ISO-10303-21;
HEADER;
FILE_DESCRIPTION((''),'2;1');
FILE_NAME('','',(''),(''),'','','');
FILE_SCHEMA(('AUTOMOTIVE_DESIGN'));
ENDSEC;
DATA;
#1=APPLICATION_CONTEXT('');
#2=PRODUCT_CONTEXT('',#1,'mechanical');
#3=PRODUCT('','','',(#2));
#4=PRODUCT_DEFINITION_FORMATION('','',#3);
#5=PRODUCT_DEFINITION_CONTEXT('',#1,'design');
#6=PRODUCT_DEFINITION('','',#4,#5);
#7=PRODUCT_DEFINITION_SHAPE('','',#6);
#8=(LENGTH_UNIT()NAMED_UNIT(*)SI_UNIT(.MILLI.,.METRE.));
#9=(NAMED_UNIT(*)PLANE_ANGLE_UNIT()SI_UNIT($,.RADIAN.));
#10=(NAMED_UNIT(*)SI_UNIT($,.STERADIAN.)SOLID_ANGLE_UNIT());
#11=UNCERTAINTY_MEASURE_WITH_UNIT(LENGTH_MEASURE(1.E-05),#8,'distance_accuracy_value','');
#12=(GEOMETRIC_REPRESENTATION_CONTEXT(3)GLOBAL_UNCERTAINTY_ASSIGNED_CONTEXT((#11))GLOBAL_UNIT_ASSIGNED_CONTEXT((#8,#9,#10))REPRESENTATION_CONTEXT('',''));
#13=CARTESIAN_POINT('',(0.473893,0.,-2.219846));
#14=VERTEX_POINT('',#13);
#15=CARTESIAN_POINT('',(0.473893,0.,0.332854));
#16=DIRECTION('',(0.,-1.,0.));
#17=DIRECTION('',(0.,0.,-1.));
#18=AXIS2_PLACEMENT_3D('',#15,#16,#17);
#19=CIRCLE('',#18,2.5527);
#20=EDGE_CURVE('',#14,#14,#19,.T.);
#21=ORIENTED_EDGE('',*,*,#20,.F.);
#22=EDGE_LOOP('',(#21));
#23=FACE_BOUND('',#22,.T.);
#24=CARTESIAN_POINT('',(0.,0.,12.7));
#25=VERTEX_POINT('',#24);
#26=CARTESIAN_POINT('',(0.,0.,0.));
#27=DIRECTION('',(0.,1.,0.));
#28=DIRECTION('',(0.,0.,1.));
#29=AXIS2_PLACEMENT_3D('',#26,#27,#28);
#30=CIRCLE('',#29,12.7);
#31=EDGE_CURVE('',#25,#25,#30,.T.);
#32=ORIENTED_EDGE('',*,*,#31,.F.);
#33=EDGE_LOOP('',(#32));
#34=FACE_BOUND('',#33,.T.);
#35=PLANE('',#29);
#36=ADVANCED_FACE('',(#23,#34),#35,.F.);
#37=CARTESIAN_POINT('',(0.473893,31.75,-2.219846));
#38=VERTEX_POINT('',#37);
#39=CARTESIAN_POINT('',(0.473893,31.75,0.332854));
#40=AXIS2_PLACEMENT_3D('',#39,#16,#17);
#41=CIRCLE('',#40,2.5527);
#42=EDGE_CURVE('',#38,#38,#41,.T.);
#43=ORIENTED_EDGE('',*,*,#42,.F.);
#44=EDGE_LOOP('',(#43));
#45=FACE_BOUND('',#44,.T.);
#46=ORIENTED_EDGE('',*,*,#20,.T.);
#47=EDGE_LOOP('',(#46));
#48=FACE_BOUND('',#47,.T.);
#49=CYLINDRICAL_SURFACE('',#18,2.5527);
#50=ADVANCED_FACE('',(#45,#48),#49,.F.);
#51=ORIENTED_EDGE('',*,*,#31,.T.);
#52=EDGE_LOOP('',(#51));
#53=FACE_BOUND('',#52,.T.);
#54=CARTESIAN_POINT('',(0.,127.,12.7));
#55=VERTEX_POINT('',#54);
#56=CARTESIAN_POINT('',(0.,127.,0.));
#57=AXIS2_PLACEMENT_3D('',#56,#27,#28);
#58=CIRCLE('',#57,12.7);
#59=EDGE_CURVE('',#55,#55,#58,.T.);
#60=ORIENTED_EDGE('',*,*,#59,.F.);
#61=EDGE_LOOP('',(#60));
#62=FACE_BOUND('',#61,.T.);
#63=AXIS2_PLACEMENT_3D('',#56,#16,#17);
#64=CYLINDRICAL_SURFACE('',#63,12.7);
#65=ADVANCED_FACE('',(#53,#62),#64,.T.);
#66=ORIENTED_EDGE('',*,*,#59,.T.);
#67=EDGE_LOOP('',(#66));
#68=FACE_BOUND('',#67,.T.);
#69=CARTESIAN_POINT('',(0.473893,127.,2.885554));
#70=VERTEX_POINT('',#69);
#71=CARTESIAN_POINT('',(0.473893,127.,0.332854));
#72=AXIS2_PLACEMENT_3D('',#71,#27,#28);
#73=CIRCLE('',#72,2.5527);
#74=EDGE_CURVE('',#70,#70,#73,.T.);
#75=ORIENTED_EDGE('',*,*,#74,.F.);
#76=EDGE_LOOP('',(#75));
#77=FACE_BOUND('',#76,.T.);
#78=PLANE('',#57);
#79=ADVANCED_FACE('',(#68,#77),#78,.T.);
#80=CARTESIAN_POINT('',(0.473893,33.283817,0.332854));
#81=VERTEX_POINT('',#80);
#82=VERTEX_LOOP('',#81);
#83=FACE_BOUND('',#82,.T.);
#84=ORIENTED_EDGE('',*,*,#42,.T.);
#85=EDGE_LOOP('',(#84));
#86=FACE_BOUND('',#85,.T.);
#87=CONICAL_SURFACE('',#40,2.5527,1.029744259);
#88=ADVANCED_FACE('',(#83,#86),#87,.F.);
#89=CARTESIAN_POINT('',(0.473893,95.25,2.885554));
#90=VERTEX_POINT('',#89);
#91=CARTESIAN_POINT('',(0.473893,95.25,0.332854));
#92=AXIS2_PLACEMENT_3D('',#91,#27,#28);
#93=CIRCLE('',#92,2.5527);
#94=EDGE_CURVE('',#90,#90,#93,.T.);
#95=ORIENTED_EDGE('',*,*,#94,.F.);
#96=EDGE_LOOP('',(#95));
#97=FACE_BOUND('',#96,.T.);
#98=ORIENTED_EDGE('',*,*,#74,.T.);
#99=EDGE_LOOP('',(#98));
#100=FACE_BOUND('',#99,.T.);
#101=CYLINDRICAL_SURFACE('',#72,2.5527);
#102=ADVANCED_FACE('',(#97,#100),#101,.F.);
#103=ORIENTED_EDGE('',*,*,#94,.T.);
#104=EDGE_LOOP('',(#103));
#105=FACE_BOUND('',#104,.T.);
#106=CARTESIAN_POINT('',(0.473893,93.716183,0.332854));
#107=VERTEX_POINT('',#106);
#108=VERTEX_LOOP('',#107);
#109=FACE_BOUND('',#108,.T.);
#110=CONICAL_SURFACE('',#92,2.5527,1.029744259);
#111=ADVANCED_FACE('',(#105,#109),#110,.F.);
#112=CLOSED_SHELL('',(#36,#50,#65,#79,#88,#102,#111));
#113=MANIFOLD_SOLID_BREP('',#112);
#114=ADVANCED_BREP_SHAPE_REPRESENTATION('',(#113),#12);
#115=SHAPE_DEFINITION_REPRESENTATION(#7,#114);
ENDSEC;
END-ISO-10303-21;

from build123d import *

# Parameters (mm, degrees)
SKETCH2_R           = 12.7
BOSS_EXTRUDE1_DEPTH = 127


with BuildPart() as part:
    # Sketch2 → Boss-Extrude1 (new body)
    with BuildSketch(Plane(origin=(0, 0, 0), x_dir=(1, 0, 0), z_dir=(0, 1, 0))):
        Circle(SKETCH2_R)
    extrude(amount=BOSS_EXTRUDE1_DEPTH)

    # Sketch4 → 1/4-20 Tapped Hole1 (revolve, cut)
    with BuildSketch(Plane(origin=(0.473892963, 127, 0.332854466), x_dir=(0, 0, 1), z_dir=(1, 0, 0))):
        Polygon((0, 0), (0, 33.283816902), (2.5527, 31.75), (2.5527, 0), align=None)
    f_1_4_20_tapped_hole1 = revolve(axis=Axis((0.473892963, 133.35, 0.332854466), (0, -1, 0)), mode=Mode.SUBTRACT)

    # Mirror1: 1/4-20 Tapped Hole1 across plane
    add(f_1_4_20_tapped_hole1.mirror(Plane.ZX.offset(63.5)), mode=Mode.SUBTRACT)


solid = part.part
